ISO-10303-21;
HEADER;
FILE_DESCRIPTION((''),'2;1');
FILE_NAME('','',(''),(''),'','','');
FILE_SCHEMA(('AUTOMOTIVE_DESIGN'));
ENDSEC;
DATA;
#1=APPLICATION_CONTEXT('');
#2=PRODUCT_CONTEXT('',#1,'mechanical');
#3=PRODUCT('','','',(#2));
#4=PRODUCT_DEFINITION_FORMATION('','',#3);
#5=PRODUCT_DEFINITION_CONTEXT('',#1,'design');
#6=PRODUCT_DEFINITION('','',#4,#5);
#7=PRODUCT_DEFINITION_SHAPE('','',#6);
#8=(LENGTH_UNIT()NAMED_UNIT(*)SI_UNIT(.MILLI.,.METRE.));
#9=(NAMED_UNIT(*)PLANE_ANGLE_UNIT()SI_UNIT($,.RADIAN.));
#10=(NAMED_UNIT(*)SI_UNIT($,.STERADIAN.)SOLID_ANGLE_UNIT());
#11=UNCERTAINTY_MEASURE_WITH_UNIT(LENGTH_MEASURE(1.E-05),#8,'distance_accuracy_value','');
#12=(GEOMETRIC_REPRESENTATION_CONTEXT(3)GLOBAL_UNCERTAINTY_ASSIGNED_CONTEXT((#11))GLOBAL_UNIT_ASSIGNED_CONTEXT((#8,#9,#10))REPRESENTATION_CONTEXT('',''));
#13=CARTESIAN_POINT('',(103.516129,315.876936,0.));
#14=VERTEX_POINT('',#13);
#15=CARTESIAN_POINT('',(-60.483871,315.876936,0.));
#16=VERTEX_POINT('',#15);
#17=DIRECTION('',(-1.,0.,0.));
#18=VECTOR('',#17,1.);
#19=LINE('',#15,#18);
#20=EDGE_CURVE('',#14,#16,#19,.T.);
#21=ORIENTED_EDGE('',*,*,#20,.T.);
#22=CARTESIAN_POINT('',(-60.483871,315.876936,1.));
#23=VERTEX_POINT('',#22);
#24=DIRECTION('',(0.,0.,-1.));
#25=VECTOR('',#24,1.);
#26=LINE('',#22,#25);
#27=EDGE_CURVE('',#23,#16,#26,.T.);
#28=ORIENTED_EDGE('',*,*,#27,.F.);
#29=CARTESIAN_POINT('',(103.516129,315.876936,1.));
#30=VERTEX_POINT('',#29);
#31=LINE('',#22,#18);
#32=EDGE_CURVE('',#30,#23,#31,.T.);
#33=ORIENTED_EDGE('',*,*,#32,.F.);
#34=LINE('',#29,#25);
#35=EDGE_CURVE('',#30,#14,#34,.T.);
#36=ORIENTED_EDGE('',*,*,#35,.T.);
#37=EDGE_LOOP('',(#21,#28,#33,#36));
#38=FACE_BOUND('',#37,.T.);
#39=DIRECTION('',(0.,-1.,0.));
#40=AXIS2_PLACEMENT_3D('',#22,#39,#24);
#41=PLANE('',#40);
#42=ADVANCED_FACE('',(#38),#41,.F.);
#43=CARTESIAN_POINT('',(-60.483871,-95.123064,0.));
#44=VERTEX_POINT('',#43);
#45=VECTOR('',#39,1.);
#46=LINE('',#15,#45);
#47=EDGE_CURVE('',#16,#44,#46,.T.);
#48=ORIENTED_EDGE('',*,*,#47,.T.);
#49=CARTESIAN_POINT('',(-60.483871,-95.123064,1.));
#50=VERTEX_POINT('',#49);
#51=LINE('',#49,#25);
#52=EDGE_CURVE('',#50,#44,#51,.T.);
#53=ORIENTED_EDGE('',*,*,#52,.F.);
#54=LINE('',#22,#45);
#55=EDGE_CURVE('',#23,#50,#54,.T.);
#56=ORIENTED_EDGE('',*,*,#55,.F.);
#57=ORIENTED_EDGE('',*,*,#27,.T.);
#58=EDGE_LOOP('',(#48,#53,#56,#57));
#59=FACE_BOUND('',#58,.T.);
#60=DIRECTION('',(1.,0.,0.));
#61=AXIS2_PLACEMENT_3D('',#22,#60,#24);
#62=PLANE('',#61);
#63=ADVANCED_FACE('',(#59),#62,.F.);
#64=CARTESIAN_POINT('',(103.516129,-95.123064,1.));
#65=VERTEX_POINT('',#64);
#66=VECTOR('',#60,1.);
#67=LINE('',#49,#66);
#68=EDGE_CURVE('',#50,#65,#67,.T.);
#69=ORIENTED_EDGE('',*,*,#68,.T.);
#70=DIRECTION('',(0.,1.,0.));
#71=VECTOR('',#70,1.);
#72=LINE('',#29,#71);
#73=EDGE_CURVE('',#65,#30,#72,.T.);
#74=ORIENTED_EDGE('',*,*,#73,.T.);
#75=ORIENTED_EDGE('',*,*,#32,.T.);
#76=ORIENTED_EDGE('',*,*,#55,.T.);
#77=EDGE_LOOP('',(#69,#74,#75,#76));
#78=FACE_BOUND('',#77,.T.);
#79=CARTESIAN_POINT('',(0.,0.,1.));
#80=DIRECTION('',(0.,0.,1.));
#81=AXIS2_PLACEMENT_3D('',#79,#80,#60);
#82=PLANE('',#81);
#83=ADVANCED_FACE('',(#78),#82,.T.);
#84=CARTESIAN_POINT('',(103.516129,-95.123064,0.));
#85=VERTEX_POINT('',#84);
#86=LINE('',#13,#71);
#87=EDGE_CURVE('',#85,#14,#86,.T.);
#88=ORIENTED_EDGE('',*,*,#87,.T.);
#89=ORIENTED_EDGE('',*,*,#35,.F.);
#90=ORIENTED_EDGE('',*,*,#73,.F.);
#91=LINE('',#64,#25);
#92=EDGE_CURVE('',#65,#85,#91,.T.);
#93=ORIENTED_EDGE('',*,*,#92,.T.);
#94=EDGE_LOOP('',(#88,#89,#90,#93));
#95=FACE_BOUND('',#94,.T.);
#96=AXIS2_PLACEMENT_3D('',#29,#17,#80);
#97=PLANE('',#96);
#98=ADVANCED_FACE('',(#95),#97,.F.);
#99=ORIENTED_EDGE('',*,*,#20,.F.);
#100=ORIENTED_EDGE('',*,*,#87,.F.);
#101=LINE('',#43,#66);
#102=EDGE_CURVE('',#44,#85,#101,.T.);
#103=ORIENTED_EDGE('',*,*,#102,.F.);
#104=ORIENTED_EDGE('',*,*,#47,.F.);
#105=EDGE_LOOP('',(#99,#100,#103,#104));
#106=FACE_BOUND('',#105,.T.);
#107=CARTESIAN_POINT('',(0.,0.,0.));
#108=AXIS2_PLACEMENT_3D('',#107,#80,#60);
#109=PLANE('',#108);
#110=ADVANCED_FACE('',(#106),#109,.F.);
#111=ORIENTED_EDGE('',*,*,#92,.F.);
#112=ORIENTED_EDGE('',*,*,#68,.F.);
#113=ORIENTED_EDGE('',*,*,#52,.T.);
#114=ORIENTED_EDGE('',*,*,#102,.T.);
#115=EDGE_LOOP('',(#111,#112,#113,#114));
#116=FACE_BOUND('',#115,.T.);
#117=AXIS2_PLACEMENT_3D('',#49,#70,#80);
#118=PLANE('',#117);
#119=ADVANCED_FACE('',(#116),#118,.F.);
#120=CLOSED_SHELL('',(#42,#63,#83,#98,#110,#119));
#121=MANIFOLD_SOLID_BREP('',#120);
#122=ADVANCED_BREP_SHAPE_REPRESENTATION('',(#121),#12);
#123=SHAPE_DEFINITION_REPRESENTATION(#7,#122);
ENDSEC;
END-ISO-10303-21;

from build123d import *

# Parameters (mm, degrees)
SKETCH1_W           = 164
SKETCH1_H           = 411
BOSS_EXTRUDE1_DEPTH = 1


with BuildPart() as part:
    # Sketch1 → Boss-Extrude1 (new body)
    with BuildSketch(Plane.XY):
        with Locations((21.516129032, 110.376935862)):
            Rectangle(SKETCH1_W, SKETCH1_H)
    extrude(amount=BOSS_EXTRUDE1_DEPTH)


solid = part.part
